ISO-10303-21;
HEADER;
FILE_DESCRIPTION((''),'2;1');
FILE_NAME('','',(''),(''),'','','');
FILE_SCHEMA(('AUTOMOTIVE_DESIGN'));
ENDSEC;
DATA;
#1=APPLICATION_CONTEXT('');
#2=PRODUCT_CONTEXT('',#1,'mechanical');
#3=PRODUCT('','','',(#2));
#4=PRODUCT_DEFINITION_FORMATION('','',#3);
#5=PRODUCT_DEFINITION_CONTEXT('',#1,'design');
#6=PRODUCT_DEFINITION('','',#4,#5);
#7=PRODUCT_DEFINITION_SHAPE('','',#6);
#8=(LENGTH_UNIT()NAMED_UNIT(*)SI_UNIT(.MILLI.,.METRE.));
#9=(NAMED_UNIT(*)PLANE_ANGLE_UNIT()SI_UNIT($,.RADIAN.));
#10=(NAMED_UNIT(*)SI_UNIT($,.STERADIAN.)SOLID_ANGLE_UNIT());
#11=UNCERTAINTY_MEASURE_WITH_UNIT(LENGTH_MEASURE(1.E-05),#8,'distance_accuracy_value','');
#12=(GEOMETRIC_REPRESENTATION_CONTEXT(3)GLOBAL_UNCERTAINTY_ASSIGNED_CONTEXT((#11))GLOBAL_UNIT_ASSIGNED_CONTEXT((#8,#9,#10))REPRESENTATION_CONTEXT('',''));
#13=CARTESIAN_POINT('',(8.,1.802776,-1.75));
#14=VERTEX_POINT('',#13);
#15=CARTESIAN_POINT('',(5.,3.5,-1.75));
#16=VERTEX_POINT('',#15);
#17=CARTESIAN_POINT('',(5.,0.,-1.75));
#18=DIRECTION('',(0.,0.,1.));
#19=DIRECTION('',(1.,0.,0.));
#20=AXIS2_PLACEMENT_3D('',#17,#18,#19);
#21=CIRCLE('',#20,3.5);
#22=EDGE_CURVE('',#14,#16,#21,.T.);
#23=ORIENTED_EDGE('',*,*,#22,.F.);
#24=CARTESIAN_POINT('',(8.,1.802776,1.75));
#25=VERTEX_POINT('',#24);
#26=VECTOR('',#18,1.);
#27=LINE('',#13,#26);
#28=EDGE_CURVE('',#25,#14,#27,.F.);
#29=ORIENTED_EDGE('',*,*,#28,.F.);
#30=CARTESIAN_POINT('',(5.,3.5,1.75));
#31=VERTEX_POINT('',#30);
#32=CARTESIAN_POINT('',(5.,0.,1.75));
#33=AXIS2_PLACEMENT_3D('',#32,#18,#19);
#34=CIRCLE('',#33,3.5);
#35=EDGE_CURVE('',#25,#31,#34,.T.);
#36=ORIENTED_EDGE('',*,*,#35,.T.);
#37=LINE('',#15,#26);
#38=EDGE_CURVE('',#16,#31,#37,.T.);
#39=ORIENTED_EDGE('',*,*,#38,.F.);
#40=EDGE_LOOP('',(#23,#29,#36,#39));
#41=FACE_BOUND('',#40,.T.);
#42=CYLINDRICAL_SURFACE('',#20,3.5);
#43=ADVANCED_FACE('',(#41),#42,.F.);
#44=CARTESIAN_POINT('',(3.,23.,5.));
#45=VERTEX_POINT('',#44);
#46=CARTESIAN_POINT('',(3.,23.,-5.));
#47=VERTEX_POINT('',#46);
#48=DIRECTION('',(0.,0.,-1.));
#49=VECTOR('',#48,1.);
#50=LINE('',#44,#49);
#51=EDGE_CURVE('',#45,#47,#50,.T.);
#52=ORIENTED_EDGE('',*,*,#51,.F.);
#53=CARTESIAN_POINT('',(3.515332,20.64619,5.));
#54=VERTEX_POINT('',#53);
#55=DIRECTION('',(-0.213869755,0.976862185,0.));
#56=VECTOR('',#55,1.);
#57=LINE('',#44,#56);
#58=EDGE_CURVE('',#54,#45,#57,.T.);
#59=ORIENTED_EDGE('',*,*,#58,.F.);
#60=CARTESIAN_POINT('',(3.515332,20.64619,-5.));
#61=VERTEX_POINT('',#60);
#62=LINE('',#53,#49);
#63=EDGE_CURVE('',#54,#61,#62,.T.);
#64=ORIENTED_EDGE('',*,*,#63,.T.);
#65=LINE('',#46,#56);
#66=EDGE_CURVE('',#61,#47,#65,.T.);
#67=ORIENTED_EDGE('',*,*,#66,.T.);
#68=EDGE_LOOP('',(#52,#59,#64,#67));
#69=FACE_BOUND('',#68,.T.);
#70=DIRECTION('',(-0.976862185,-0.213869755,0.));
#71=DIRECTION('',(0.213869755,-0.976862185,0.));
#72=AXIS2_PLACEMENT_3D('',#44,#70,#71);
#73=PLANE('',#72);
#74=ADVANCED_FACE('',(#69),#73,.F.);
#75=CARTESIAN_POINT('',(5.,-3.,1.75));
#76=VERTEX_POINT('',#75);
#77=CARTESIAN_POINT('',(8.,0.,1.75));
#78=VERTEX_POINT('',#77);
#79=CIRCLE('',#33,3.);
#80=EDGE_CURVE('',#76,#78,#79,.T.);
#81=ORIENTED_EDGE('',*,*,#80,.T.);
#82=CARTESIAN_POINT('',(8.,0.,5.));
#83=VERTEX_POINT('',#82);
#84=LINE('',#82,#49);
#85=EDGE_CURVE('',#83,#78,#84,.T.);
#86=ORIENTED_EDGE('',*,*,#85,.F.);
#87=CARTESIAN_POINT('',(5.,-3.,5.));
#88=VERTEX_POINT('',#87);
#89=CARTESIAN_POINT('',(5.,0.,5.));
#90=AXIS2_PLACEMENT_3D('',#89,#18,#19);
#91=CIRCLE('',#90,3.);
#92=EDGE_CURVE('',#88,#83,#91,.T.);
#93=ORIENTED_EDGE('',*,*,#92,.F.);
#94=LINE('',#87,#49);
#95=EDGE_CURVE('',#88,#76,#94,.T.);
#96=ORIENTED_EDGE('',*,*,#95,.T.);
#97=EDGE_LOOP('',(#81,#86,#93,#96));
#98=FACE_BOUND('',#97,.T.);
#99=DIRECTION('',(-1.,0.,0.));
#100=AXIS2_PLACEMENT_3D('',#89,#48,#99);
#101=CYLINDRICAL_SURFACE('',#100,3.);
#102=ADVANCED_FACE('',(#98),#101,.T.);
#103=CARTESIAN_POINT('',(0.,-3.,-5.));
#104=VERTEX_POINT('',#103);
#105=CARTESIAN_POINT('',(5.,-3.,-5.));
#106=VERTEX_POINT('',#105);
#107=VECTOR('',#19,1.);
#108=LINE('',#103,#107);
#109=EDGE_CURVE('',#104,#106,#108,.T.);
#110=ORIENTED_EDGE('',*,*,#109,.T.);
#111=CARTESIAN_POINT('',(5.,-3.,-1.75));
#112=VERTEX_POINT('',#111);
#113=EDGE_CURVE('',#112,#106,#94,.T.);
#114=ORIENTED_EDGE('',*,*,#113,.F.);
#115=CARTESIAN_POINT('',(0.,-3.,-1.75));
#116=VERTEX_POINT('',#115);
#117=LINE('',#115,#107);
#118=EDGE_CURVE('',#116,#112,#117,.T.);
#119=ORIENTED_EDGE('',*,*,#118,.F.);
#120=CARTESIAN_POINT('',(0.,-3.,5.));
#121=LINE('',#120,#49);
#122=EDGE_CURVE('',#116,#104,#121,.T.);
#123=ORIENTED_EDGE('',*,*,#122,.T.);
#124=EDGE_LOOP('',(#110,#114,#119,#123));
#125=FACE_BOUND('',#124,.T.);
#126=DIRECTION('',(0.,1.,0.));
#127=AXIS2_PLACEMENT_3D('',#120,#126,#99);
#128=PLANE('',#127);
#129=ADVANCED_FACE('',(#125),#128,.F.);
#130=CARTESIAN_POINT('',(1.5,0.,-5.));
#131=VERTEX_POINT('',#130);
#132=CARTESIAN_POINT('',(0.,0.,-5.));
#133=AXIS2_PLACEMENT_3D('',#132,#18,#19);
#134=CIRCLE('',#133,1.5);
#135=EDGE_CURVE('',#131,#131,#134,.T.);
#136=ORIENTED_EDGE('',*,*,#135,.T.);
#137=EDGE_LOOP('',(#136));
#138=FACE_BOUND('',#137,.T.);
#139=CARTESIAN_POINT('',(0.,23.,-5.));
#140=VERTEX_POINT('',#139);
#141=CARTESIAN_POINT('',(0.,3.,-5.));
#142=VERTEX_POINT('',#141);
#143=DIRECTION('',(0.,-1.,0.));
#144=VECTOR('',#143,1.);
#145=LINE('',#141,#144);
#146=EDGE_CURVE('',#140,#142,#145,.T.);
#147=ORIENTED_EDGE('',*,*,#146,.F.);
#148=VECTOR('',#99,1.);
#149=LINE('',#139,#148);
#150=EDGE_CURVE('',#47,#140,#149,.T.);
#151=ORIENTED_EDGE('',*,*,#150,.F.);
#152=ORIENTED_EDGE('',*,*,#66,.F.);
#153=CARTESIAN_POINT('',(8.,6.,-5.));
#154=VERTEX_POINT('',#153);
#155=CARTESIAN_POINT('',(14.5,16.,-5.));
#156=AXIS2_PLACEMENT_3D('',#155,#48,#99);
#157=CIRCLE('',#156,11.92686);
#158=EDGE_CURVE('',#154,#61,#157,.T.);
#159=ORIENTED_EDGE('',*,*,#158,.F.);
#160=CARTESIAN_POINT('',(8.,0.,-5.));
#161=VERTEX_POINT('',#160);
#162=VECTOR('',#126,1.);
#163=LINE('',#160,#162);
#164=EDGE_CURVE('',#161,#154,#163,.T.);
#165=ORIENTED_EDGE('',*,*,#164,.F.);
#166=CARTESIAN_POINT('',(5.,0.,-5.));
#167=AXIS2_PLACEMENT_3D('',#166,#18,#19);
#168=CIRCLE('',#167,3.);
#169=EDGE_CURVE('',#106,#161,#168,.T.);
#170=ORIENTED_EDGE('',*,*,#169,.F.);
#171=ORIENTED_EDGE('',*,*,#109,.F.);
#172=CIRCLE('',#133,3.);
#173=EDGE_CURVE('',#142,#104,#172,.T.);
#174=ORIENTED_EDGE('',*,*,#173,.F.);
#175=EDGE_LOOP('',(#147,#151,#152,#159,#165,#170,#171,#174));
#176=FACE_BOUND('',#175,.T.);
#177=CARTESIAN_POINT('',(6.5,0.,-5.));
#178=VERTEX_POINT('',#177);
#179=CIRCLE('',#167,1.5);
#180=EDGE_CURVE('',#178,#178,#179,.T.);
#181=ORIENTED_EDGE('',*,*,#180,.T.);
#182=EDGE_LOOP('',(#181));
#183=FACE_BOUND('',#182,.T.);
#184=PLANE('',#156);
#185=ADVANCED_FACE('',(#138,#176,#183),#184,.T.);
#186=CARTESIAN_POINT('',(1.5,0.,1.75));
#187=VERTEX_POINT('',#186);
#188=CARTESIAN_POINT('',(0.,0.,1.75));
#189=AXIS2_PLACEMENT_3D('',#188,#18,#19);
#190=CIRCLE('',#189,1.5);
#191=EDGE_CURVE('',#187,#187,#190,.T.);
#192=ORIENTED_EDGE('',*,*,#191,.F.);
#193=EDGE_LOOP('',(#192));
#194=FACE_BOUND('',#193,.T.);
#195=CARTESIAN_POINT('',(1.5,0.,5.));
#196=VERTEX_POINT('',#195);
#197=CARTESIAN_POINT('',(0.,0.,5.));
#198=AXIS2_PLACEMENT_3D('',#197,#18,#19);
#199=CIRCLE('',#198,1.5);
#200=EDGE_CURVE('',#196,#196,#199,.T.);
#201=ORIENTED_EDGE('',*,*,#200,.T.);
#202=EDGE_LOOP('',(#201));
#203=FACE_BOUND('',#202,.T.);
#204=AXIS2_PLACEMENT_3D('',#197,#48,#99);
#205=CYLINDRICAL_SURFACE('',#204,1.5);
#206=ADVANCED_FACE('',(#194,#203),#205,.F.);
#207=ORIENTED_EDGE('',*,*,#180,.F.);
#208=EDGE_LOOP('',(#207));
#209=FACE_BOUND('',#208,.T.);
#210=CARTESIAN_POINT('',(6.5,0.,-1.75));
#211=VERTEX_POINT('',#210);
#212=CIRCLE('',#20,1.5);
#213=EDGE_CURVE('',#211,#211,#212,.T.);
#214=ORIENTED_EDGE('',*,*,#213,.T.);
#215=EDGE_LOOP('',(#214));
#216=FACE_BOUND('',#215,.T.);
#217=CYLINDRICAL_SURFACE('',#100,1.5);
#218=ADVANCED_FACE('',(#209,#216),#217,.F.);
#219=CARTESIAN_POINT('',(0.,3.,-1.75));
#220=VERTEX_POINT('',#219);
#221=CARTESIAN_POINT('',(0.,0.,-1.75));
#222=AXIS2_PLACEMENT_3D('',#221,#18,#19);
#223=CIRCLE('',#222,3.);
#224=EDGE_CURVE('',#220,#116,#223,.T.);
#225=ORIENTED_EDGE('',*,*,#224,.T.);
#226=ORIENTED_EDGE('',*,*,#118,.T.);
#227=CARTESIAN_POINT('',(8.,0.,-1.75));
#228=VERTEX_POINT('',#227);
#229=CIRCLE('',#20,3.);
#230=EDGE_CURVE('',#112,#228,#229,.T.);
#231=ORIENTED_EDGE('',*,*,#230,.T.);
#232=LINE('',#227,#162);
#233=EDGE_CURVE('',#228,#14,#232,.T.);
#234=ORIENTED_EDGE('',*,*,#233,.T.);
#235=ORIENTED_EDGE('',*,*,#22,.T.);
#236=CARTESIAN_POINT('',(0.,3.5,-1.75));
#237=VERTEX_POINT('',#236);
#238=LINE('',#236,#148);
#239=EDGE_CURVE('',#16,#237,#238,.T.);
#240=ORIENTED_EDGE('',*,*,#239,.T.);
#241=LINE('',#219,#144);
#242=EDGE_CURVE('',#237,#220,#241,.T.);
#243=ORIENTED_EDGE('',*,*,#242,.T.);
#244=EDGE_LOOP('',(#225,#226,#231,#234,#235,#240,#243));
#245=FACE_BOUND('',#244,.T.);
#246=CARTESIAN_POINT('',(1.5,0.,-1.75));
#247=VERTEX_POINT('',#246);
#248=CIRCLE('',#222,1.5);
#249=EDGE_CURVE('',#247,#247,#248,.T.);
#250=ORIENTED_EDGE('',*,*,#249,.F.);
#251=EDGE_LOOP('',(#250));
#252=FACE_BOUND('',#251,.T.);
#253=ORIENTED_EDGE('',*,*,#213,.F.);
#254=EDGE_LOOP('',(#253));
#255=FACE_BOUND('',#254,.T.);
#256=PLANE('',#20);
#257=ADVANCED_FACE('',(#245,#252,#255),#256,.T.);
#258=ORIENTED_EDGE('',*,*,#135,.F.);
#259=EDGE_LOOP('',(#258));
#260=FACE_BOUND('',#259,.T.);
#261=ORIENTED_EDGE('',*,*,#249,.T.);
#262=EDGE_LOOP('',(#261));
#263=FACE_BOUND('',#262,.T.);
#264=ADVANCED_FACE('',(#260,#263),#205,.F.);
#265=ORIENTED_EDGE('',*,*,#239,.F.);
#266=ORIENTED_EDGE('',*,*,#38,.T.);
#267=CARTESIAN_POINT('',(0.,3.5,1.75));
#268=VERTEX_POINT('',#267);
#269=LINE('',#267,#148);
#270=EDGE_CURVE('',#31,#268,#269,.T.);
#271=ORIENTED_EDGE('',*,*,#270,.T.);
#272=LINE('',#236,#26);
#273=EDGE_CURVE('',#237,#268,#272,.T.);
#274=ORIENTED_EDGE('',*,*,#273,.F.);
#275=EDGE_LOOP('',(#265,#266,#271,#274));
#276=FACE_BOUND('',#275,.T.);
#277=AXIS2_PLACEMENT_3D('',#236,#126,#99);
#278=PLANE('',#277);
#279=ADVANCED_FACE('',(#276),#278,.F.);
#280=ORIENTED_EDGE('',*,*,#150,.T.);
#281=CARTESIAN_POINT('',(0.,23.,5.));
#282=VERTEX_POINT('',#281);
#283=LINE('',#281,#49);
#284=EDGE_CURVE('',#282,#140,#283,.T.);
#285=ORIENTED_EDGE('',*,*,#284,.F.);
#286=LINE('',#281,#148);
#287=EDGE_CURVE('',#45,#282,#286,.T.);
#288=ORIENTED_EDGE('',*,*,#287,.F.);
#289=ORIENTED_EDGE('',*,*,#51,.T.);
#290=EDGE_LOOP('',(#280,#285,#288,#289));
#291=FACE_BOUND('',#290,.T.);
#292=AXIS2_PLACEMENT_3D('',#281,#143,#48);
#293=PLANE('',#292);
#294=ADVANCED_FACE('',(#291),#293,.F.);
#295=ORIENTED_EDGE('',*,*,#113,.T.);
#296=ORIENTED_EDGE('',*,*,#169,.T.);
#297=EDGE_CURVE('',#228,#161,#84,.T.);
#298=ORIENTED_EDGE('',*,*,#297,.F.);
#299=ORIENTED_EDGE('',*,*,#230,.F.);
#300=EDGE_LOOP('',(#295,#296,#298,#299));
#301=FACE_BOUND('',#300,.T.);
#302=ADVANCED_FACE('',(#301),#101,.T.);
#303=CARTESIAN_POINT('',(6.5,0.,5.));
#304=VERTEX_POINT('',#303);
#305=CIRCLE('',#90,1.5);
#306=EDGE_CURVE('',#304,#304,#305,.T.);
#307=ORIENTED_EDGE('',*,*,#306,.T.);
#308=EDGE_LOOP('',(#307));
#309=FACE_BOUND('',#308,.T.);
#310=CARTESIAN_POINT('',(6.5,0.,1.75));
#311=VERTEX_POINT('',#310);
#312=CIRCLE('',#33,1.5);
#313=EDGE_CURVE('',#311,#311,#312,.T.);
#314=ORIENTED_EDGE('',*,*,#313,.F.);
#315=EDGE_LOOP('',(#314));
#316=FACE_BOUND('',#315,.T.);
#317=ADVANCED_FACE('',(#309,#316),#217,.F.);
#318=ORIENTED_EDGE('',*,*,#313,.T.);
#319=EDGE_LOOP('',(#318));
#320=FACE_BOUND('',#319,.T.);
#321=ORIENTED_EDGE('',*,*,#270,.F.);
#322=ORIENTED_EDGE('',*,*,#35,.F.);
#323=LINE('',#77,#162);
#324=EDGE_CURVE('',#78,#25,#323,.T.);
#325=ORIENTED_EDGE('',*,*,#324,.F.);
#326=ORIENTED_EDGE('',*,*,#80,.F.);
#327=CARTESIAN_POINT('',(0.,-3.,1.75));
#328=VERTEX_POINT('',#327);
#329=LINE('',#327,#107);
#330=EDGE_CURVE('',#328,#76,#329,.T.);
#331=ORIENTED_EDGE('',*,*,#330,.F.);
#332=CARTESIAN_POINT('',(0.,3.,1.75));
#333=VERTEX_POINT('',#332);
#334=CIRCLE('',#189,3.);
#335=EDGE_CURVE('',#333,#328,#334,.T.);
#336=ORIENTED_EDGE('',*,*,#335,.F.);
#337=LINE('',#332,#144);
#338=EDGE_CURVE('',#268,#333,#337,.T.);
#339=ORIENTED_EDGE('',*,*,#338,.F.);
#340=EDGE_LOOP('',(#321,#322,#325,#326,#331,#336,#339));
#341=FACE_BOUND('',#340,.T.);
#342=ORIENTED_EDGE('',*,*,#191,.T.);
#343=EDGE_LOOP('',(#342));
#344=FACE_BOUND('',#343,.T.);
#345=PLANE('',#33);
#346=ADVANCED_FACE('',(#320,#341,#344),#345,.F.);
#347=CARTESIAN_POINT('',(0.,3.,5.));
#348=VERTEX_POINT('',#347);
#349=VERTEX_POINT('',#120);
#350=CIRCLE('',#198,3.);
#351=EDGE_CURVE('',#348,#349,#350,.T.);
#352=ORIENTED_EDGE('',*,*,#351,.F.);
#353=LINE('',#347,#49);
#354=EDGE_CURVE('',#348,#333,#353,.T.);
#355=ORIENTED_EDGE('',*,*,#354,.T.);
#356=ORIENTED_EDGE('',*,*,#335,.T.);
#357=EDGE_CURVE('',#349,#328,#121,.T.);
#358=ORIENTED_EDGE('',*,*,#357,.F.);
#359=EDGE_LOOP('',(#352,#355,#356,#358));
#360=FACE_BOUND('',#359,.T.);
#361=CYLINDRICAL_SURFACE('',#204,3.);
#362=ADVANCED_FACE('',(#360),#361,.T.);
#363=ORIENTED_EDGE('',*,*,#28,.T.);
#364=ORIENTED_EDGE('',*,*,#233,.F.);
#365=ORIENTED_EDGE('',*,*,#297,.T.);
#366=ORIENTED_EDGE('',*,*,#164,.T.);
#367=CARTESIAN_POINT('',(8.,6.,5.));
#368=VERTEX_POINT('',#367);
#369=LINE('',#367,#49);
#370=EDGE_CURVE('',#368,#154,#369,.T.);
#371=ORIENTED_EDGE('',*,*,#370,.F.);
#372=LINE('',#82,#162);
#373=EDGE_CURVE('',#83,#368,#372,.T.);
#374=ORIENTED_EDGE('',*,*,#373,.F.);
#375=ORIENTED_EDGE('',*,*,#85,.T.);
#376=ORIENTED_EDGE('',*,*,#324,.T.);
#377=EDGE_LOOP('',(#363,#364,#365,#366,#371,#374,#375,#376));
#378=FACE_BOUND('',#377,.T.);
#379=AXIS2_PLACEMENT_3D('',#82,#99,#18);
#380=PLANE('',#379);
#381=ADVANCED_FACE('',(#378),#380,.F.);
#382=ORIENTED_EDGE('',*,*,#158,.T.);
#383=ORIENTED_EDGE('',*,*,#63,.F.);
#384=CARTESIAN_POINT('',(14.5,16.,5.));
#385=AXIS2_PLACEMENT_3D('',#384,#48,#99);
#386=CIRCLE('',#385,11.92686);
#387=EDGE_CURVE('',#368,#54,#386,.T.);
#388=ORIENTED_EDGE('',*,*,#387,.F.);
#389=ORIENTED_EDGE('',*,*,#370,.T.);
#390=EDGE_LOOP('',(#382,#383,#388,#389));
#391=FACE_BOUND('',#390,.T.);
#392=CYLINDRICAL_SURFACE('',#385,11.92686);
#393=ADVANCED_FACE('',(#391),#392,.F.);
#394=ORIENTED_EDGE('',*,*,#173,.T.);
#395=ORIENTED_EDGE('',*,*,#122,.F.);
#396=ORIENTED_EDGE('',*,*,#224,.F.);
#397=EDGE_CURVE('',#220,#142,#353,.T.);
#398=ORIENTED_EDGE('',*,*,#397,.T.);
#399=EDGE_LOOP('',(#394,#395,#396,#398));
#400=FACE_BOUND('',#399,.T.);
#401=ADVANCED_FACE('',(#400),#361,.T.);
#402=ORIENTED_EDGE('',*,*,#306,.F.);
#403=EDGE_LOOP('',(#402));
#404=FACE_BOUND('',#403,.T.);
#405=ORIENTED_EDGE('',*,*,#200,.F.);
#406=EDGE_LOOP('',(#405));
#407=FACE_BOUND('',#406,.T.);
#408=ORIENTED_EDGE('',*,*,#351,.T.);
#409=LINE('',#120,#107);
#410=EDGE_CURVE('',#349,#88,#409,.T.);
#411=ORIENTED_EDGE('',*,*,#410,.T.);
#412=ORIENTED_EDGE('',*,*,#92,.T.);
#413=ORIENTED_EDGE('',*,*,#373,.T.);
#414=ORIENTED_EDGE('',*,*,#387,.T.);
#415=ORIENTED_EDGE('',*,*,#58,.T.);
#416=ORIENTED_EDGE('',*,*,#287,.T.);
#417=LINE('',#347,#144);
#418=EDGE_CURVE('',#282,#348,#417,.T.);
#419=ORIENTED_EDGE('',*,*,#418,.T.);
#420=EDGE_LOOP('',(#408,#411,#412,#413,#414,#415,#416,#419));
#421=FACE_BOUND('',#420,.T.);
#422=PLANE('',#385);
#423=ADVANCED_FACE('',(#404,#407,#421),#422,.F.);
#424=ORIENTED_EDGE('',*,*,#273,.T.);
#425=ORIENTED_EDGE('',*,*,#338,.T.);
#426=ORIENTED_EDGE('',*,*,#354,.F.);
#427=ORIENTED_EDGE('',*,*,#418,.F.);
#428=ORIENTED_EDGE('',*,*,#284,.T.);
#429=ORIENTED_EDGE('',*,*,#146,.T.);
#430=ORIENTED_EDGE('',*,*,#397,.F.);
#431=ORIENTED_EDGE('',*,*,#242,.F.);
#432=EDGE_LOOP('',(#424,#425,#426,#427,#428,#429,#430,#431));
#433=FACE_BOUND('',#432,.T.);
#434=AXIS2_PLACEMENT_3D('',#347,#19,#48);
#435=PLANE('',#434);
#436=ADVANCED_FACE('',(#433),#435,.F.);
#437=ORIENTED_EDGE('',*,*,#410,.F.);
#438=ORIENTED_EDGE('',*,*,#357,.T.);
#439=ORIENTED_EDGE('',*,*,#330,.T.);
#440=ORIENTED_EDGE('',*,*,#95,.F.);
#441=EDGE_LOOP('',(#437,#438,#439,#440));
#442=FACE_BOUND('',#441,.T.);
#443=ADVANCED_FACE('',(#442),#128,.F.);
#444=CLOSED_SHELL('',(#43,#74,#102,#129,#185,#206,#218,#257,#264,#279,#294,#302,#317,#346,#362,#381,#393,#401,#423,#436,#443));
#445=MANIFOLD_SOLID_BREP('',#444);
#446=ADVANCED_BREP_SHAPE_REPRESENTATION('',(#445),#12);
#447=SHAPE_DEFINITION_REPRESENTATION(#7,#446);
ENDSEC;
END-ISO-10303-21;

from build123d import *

# Parameters (mm, degrees)
SKETCH1_R           = 1.5
BOSS_EXTRUDE1_DEPTH = 5
SKETCH2_R           = 1.5
CUT_EXTRUDE1_DEPTH  = 1.75


with BuildPart() as part:
    # Sketch1 → Boss-Extrude1 (new, symmetric)
    with BuildSketch(Plane.XY):
        with BuildLine():
            Line((0, -3), (5, -3))
            ThreePointArc((5, -3), (7.121320344, -2.121320344), (8, 0))
            Line((8, 0), (8, 6))
            ThreePointArc((8, 6), (3.095785062, 12.50802611), (3.515332481, 20.646189784))
            Line((3.515332481, 20.646189784), (3, 23))
            Line((3, 23), (0, 23))
            Line((0, 23), (0, 3))
            ThreePointArc((0, 3), (-3, 0), (0, -3))
        make_face()
        Circle(SKETCH1_R, mode=Mode.SUBTRACT)
        with Locations((5, 0)):
            Circle(SKETCH1_R, mode=Mode.SUBTRACT)
    extrude(amount=BOSS_EXTRUDE1_DEPTH, both=True)

    # Sketch2 → Cut-Extrude1 (cut, symmetric)
    with BuildSketch(Plane.XY):
        with BuildLine():
            Line((0, 3.5), (5, 3.5))
            ThreePointArc((5, 3.5), (8.5, 0), (5, -3.5))
            Line((5, -3.5), (0, -3.5))
            ThreePointArc((0, -3.5), (-3.5, 0), (0, 3.5))
        make_face()
        Circle(SKETCH2_R, mode=Mode.SUBTRACT)
        with Locations((5, 0)):
            Circle(SKETCH2_R, mode=Mode.SUBTRACT)
    extrude(amount=CUT_EXTRUDE1_DEPTH, both=True, mode=Mode.SUBTRACT)


solid = part.part
